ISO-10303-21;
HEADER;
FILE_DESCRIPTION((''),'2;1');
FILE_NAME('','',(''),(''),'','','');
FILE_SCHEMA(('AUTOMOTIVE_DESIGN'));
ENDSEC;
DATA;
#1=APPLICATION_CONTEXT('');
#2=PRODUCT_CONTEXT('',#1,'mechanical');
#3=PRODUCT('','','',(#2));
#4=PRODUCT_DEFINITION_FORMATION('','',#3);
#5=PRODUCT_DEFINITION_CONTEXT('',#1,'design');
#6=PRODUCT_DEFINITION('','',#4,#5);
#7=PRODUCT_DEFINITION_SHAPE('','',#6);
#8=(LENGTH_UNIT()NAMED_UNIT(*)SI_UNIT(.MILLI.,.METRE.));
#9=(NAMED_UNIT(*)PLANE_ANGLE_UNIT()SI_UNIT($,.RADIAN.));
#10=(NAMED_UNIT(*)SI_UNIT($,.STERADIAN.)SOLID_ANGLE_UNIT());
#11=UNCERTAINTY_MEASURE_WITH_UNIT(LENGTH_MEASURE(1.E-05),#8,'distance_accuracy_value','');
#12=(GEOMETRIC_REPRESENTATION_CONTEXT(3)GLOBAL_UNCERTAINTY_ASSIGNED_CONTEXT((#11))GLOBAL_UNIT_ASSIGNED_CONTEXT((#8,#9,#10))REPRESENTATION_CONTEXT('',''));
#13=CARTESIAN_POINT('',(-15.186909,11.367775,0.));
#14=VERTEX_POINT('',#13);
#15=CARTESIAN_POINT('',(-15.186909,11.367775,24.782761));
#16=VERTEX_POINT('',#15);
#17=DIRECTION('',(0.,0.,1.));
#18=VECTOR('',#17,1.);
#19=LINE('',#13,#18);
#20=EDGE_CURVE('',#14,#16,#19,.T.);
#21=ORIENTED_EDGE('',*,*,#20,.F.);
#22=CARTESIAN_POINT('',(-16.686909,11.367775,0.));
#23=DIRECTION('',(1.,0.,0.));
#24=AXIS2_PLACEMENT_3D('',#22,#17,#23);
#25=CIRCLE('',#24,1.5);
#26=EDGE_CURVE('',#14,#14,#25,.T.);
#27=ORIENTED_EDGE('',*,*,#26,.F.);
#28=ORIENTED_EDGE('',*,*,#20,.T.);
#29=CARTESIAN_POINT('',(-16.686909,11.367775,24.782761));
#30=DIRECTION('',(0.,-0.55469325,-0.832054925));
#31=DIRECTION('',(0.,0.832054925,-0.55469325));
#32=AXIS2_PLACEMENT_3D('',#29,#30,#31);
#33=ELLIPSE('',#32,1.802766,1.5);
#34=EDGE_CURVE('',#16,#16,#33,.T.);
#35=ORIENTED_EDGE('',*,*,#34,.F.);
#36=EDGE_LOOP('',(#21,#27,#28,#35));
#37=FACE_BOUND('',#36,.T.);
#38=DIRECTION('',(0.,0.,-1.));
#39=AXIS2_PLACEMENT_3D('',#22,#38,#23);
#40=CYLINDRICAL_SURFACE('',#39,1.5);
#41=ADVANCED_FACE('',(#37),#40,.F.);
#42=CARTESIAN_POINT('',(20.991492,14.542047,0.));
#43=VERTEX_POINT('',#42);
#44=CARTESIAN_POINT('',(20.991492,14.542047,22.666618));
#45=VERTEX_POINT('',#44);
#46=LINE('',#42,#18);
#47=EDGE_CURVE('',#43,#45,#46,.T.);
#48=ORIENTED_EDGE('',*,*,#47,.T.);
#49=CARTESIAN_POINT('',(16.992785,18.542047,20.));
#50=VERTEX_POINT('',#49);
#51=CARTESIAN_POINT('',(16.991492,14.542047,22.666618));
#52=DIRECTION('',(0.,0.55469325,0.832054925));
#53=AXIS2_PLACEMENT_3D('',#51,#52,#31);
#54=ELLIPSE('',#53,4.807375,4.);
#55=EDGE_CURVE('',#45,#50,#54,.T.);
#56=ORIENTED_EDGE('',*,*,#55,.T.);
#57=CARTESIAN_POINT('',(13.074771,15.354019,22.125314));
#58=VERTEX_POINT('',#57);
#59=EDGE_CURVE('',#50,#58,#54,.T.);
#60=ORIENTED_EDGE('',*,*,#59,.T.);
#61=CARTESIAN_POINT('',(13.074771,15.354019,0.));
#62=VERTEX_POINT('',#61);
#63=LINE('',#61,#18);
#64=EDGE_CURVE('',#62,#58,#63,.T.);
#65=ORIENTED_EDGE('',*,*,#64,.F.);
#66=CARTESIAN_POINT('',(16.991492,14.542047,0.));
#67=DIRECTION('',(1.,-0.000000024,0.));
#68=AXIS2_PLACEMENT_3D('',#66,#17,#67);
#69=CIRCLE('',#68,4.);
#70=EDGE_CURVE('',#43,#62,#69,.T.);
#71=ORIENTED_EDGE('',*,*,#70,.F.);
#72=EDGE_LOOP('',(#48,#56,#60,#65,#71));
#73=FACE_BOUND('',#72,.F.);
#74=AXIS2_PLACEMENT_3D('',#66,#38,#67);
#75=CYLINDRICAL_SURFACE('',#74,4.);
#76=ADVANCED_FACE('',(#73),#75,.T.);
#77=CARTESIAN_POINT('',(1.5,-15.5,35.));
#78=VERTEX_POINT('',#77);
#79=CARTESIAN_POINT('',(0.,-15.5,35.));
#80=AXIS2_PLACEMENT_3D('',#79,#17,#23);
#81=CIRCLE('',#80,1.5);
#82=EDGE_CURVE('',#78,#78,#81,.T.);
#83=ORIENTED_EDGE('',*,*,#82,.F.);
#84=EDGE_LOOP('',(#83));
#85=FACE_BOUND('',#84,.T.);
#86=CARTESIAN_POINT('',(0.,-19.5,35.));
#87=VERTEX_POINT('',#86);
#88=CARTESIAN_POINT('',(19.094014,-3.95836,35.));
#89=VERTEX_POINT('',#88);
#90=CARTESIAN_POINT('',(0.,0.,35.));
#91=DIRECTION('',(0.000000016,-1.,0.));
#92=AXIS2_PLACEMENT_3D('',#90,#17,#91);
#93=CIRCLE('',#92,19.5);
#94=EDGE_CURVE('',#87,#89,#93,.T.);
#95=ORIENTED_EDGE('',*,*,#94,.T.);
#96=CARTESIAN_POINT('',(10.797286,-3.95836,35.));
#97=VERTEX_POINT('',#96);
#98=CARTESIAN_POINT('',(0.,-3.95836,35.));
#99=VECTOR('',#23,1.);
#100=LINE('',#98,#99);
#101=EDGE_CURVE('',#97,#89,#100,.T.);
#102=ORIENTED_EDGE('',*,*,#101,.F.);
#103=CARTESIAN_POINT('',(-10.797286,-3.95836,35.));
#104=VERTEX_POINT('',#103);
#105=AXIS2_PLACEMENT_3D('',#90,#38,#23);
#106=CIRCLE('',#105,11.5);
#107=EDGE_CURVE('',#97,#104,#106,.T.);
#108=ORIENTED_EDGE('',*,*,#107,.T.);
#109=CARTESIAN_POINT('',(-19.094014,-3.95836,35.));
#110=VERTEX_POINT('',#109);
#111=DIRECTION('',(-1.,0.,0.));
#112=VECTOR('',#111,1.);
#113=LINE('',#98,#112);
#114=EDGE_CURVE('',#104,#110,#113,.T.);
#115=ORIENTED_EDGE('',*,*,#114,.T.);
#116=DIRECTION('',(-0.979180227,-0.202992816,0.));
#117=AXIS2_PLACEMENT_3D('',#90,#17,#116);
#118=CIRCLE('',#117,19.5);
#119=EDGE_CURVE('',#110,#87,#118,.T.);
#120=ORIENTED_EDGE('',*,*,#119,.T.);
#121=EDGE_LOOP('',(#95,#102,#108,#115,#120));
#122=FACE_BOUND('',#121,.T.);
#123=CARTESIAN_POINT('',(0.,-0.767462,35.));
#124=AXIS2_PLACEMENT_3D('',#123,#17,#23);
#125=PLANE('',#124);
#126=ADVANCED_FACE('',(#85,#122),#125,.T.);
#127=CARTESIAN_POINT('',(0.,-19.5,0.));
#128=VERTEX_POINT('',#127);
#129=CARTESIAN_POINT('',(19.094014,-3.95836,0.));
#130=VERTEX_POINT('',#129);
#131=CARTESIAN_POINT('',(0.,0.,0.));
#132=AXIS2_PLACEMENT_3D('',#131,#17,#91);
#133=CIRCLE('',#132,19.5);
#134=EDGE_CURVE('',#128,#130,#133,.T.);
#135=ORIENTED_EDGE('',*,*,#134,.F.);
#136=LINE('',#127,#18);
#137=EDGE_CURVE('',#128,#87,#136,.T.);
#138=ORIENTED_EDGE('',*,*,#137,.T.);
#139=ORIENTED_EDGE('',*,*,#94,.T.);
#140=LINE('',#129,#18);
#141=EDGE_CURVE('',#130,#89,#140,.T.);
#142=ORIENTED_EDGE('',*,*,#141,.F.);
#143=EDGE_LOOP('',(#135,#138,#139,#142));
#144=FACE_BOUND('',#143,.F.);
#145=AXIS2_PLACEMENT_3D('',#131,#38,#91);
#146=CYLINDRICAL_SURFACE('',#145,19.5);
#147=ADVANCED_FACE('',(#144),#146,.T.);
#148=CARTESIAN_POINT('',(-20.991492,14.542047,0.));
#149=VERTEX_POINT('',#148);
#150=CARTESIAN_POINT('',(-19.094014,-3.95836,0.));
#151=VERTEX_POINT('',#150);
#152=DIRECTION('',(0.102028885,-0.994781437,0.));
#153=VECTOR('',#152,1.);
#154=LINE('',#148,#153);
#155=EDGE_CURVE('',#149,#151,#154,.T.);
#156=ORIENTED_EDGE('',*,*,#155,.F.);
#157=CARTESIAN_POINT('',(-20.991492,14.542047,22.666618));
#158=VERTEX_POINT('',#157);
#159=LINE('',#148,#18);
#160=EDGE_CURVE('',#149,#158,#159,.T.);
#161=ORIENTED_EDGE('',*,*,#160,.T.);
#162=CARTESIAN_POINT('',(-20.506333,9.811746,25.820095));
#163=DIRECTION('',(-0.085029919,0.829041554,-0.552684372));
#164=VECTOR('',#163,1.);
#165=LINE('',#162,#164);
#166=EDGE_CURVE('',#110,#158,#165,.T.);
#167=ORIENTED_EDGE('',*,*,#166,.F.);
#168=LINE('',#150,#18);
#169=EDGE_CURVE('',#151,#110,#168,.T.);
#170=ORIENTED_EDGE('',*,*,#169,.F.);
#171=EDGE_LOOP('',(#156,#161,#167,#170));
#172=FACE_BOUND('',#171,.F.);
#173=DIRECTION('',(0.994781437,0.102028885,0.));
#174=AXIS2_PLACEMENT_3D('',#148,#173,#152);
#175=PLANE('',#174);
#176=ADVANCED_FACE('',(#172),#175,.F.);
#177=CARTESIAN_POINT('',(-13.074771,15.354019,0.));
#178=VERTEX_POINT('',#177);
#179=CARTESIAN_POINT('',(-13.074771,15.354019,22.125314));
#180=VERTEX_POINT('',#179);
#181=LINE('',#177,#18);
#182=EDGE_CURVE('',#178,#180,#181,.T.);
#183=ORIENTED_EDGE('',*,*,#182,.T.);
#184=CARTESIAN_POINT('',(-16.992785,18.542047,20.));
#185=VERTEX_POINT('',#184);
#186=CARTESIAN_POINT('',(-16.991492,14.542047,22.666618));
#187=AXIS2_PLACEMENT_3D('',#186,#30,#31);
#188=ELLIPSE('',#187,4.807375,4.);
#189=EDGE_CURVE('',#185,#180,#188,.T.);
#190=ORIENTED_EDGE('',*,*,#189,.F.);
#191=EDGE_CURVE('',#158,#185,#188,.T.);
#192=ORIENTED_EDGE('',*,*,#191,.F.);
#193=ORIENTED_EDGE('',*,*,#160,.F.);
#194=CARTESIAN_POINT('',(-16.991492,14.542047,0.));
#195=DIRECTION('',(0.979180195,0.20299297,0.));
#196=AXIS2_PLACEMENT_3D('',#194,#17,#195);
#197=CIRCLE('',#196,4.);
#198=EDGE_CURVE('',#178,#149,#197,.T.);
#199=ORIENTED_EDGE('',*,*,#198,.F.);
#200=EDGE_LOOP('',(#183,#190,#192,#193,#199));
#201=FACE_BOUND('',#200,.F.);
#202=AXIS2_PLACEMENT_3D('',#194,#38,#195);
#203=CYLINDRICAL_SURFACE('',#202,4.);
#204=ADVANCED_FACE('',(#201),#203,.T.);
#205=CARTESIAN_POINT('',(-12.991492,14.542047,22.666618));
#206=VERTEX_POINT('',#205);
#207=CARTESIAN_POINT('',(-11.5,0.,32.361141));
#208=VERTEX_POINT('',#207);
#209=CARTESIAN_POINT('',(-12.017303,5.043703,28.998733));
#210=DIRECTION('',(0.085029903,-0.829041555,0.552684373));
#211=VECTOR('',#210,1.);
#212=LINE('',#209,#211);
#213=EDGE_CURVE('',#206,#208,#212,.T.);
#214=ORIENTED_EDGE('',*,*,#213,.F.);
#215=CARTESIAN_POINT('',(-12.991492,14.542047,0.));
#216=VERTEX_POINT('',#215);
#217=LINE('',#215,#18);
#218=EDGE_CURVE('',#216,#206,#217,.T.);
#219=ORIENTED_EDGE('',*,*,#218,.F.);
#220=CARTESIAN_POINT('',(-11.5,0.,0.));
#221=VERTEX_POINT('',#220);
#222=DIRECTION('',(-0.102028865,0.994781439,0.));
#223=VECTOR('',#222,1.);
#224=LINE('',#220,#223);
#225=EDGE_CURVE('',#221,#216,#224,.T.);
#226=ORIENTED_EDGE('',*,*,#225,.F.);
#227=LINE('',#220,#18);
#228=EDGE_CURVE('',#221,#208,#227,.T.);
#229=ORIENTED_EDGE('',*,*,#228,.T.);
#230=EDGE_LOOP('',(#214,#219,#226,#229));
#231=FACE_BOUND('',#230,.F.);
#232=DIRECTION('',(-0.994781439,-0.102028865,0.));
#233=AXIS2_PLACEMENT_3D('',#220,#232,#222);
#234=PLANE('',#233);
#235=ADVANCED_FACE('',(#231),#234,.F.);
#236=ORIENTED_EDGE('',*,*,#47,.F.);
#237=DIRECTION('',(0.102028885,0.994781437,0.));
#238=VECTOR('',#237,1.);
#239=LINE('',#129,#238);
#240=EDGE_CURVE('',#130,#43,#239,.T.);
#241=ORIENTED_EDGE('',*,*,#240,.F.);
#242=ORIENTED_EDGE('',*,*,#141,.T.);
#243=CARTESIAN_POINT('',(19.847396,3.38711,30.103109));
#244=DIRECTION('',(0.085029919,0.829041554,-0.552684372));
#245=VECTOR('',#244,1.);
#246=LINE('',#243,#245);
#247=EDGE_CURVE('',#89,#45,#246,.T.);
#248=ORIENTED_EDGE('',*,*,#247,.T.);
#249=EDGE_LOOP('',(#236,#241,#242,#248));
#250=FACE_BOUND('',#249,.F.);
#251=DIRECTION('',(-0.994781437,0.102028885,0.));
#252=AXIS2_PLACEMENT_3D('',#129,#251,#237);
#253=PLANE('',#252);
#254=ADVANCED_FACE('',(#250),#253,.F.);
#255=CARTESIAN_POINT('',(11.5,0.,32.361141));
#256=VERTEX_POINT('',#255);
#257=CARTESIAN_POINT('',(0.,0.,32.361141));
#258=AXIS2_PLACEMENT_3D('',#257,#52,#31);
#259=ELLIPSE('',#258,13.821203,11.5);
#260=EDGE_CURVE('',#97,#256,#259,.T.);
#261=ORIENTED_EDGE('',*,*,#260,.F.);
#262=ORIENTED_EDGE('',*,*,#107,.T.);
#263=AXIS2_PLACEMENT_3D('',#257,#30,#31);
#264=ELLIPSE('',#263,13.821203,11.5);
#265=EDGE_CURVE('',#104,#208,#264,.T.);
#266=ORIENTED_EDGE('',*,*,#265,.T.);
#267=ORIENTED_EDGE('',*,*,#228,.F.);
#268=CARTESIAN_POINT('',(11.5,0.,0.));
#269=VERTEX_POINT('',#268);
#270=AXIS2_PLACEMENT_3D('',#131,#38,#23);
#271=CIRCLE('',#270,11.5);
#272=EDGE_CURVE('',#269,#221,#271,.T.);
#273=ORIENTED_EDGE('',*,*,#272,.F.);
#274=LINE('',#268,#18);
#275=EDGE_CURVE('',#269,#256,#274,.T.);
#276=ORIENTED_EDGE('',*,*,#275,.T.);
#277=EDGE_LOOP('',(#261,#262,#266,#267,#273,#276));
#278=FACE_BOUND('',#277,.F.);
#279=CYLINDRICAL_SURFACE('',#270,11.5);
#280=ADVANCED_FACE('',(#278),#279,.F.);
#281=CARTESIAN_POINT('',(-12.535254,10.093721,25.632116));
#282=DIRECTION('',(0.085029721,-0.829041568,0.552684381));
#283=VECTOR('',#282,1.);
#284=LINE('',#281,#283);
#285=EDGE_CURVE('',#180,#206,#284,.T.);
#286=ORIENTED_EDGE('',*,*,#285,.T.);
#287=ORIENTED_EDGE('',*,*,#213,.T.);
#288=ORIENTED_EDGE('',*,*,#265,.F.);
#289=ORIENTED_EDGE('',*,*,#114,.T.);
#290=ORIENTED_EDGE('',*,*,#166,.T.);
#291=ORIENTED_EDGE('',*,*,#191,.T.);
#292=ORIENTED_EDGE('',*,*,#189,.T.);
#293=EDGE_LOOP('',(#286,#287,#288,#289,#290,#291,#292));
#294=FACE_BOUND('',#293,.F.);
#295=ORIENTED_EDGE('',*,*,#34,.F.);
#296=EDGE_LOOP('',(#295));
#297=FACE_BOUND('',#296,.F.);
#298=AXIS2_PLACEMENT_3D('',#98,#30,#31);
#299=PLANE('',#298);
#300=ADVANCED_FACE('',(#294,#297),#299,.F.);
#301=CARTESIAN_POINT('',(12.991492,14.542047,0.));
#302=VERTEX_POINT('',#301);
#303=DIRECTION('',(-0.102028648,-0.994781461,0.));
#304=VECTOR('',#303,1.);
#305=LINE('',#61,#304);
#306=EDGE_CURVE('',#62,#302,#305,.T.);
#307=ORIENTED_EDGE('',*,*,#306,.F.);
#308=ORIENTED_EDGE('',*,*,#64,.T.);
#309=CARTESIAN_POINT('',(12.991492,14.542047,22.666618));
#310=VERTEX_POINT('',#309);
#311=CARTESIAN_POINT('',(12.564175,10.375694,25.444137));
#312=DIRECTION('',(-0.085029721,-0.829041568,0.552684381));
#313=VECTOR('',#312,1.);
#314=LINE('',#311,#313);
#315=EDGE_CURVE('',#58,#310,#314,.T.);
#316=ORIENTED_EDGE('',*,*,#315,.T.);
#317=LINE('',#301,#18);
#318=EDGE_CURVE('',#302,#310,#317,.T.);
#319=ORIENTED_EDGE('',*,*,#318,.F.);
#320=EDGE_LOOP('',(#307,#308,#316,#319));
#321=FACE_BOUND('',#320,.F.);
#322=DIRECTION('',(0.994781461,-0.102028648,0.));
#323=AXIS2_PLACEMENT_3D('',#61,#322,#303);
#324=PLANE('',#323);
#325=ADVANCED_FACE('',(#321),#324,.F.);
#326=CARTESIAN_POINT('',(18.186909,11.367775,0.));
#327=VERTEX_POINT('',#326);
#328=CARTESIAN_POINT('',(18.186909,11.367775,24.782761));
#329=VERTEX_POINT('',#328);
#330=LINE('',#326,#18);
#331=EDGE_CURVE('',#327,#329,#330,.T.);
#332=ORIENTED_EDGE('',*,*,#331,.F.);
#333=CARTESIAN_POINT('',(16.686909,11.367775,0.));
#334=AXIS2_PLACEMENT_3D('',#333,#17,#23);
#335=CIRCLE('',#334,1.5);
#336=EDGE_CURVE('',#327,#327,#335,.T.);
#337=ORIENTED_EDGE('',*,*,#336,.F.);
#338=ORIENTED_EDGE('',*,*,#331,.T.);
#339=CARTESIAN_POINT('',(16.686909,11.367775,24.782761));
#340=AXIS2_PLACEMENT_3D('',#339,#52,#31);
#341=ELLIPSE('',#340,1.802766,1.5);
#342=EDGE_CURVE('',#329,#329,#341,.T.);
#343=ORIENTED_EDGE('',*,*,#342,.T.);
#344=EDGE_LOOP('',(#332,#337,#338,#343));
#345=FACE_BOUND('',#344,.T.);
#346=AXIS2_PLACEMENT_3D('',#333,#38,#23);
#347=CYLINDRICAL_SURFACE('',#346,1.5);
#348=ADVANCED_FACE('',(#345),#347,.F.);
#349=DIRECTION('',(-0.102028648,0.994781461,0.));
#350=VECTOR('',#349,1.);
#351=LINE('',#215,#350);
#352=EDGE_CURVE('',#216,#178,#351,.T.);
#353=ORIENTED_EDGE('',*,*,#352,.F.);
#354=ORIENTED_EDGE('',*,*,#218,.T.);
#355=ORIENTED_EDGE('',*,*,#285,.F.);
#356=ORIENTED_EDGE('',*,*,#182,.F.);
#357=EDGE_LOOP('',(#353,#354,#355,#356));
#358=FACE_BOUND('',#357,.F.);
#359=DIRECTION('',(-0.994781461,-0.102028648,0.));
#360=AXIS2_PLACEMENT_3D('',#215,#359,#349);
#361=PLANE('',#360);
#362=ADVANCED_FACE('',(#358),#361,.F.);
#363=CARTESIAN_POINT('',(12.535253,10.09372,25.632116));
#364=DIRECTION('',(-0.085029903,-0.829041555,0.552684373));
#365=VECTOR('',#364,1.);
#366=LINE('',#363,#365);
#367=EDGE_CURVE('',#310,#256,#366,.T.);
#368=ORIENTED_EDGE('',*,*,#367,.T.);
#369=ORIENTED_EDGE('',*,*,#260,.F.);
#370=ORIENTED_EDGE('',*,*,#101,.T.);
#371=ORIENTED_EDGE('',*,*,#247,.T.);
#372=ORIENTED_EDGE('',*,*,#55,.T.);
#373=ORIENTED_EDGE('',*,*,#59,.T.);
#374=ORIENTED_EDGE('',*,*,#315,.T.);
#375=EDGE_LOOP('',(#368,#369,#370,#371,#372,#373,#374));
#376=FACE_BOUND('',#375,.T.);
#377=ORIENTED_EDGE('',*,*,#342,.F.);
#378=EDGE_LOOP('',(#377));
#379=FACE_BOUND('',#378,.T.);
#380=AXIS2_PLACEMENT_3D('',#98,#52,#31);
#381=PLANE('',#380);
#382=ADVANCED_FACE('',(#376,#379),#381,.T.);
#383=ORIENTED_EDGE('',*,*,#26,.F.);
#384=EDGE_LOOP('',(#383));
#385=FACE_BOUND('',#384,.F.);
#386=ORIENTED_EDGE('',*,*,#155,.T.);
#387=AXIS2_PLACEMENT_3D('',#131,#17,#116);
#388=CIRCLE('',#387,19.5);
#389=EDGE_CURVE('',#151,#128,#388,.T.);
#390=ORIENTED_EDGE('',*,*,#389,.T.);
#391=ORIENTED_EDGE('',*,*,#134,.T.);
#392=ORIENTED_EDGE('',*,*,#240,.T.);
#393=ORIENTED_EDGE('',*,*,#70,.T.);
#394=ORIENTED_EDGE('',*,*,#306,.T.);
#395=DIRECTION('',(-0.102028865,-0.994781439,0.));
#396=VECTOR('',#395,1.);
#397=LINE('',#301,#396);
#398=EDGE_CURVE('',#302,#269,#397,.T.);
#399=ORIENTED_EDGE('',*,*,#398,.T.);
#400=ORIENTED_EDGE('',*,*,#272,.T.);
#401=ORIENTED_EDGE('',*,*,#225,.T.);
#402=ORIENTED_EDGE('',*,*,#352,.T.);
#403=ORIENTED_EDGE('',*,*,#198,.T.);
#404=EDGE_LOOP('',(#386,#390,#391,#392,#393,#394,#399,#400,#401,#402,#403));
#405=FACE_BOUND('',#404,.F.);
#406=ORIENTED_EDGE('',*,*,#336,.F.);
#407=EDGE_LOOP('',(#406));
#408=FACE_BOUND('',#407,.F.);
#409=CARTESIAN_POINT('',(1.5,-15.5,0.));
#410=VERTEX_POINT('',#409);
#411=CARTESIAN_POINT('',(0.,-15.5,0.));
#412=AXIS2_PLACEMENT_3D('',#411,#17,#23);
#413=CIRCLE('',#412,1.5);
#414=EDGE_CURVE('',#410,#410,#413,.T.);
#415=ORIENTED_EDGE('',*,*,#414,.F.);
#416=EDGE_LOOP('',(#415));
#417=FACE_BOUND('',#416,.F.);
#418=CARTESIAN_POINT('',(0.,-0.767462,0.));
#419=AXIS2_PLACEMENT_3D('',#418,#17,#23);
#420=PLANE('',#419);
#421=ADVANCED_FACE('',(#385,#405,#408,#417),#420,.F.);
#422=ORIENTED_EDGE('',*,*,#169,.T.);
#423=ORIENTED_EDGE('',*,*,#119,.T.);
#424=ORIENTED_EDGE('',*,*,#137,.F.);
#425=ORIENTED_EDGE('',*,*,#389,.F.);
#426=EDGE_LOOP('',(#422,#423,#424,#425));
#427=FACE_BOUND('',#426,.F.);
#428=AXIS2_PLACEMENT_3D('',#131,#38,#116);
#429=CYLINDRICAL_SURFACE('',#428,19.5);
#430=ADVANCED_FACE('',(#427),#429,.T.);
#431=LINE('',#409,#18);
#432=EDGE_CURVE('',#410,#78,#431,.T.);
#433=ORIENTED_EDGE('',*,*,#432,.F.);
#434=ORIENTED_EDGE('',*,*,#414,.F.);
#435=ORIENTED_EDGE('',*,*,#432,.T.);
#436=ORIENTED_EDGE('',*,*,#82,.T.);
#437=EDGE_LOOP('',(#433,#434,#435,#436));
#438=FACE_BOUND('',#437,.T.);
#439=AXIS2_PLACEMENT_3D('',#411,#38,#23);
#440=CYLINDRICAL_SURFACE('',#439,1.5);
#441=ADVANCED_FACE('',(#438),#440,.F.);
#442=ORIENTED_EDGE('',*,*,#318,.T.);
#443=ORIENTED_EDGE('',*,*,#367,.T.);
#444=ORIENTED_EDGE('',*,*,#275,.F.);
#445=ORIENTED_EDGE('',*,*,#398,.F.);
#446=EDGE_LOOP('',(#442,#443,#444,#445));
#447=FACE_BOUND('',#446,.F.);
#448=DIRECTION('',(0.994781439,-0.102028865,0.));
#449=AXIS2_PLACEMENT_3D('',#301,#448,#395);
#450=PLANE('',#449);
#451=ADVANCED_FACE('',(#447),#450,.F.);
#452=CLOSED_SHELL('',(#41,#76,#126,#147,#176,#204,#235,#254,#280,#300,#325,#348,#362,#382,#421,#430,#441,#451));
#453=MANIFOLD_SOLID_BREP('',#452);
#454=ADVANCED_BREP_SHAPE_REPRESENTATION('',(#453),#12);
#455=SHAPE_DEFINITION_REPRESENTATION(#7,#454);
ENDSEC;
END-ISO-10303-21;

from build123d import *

# Parameters (mm, degrees)
F0_R          = 1.5
F1_DEPTH      = 35
F3_DEPTH      = 20.992492
F3_DEPTH_BACK = 20.992492


with BuildPart() as f1:
    # F0 (on Top) → F1 (new body)
    with BuildSketch(Plane.XY):
        with BuildLine():
            Line((12.991492, 14.542047), (11.5, 0))
            ThreePointArc((11.5, 0), (0, -11.5), (-11.5, 0))
            Line((-11.5, 0), (-12.991492, 14.542047))
            Line((-12.991492, 14.542047), (-13.074771, 15.354019))
            ThreePointArc((-13.074771, 15.354019), (-17.399607, 18.521173), (-20.991492, 14.542047))
            Line((-20.991492, 14.542047), (-19.094014, -3.95836))
            ThreePointArc((-19.094014, -3.95836), (-12.309792, -15.123459), (0, -19.5))
            ThreePointArc((0, -19.5), (12.309792, -15.123459), (19.094014, -3.95836))
            Line((19.094014, -3.95836), (20.991492, 14.542047))
            ThreePointArc((20.991492, 14.542047), (17.399607, 18.521173), (13.074771, 15.354019))
            Line((13.074771, 15.354019), (12.991492, 14.542047))
        make_face()
        with Locations((0, -15.5)):
            Circle(F0_R, mode=Mode.SUBTRACT)
        with Locations((-16.686909, 11.367775)):
            Circle(F0_R, mode=Mode.SUBTRACT)
        with Locations((16.686909, 11.367775)):
            Circle(F0_R, mode=Mode.SUBTRACT)
    extrude(amount=F1_DEPTH)

    # F2 (on Right) → F3 (cut, two sides)
    with BuildSketch(Plane.YZ) as f3_sk:
        Polygon((18.542047, 35), (14.542047, 35), (-3.95836, 35), (18.542047, 20), align=None)
    extrude(amount=F3_DEPTH, mode=Mode.SUBTRACT)
    extrude(f3_sk.sketch, amount=-F3_DEPTH_BACK, mode=Mode.SUBTRACT)


solid = f1.part
